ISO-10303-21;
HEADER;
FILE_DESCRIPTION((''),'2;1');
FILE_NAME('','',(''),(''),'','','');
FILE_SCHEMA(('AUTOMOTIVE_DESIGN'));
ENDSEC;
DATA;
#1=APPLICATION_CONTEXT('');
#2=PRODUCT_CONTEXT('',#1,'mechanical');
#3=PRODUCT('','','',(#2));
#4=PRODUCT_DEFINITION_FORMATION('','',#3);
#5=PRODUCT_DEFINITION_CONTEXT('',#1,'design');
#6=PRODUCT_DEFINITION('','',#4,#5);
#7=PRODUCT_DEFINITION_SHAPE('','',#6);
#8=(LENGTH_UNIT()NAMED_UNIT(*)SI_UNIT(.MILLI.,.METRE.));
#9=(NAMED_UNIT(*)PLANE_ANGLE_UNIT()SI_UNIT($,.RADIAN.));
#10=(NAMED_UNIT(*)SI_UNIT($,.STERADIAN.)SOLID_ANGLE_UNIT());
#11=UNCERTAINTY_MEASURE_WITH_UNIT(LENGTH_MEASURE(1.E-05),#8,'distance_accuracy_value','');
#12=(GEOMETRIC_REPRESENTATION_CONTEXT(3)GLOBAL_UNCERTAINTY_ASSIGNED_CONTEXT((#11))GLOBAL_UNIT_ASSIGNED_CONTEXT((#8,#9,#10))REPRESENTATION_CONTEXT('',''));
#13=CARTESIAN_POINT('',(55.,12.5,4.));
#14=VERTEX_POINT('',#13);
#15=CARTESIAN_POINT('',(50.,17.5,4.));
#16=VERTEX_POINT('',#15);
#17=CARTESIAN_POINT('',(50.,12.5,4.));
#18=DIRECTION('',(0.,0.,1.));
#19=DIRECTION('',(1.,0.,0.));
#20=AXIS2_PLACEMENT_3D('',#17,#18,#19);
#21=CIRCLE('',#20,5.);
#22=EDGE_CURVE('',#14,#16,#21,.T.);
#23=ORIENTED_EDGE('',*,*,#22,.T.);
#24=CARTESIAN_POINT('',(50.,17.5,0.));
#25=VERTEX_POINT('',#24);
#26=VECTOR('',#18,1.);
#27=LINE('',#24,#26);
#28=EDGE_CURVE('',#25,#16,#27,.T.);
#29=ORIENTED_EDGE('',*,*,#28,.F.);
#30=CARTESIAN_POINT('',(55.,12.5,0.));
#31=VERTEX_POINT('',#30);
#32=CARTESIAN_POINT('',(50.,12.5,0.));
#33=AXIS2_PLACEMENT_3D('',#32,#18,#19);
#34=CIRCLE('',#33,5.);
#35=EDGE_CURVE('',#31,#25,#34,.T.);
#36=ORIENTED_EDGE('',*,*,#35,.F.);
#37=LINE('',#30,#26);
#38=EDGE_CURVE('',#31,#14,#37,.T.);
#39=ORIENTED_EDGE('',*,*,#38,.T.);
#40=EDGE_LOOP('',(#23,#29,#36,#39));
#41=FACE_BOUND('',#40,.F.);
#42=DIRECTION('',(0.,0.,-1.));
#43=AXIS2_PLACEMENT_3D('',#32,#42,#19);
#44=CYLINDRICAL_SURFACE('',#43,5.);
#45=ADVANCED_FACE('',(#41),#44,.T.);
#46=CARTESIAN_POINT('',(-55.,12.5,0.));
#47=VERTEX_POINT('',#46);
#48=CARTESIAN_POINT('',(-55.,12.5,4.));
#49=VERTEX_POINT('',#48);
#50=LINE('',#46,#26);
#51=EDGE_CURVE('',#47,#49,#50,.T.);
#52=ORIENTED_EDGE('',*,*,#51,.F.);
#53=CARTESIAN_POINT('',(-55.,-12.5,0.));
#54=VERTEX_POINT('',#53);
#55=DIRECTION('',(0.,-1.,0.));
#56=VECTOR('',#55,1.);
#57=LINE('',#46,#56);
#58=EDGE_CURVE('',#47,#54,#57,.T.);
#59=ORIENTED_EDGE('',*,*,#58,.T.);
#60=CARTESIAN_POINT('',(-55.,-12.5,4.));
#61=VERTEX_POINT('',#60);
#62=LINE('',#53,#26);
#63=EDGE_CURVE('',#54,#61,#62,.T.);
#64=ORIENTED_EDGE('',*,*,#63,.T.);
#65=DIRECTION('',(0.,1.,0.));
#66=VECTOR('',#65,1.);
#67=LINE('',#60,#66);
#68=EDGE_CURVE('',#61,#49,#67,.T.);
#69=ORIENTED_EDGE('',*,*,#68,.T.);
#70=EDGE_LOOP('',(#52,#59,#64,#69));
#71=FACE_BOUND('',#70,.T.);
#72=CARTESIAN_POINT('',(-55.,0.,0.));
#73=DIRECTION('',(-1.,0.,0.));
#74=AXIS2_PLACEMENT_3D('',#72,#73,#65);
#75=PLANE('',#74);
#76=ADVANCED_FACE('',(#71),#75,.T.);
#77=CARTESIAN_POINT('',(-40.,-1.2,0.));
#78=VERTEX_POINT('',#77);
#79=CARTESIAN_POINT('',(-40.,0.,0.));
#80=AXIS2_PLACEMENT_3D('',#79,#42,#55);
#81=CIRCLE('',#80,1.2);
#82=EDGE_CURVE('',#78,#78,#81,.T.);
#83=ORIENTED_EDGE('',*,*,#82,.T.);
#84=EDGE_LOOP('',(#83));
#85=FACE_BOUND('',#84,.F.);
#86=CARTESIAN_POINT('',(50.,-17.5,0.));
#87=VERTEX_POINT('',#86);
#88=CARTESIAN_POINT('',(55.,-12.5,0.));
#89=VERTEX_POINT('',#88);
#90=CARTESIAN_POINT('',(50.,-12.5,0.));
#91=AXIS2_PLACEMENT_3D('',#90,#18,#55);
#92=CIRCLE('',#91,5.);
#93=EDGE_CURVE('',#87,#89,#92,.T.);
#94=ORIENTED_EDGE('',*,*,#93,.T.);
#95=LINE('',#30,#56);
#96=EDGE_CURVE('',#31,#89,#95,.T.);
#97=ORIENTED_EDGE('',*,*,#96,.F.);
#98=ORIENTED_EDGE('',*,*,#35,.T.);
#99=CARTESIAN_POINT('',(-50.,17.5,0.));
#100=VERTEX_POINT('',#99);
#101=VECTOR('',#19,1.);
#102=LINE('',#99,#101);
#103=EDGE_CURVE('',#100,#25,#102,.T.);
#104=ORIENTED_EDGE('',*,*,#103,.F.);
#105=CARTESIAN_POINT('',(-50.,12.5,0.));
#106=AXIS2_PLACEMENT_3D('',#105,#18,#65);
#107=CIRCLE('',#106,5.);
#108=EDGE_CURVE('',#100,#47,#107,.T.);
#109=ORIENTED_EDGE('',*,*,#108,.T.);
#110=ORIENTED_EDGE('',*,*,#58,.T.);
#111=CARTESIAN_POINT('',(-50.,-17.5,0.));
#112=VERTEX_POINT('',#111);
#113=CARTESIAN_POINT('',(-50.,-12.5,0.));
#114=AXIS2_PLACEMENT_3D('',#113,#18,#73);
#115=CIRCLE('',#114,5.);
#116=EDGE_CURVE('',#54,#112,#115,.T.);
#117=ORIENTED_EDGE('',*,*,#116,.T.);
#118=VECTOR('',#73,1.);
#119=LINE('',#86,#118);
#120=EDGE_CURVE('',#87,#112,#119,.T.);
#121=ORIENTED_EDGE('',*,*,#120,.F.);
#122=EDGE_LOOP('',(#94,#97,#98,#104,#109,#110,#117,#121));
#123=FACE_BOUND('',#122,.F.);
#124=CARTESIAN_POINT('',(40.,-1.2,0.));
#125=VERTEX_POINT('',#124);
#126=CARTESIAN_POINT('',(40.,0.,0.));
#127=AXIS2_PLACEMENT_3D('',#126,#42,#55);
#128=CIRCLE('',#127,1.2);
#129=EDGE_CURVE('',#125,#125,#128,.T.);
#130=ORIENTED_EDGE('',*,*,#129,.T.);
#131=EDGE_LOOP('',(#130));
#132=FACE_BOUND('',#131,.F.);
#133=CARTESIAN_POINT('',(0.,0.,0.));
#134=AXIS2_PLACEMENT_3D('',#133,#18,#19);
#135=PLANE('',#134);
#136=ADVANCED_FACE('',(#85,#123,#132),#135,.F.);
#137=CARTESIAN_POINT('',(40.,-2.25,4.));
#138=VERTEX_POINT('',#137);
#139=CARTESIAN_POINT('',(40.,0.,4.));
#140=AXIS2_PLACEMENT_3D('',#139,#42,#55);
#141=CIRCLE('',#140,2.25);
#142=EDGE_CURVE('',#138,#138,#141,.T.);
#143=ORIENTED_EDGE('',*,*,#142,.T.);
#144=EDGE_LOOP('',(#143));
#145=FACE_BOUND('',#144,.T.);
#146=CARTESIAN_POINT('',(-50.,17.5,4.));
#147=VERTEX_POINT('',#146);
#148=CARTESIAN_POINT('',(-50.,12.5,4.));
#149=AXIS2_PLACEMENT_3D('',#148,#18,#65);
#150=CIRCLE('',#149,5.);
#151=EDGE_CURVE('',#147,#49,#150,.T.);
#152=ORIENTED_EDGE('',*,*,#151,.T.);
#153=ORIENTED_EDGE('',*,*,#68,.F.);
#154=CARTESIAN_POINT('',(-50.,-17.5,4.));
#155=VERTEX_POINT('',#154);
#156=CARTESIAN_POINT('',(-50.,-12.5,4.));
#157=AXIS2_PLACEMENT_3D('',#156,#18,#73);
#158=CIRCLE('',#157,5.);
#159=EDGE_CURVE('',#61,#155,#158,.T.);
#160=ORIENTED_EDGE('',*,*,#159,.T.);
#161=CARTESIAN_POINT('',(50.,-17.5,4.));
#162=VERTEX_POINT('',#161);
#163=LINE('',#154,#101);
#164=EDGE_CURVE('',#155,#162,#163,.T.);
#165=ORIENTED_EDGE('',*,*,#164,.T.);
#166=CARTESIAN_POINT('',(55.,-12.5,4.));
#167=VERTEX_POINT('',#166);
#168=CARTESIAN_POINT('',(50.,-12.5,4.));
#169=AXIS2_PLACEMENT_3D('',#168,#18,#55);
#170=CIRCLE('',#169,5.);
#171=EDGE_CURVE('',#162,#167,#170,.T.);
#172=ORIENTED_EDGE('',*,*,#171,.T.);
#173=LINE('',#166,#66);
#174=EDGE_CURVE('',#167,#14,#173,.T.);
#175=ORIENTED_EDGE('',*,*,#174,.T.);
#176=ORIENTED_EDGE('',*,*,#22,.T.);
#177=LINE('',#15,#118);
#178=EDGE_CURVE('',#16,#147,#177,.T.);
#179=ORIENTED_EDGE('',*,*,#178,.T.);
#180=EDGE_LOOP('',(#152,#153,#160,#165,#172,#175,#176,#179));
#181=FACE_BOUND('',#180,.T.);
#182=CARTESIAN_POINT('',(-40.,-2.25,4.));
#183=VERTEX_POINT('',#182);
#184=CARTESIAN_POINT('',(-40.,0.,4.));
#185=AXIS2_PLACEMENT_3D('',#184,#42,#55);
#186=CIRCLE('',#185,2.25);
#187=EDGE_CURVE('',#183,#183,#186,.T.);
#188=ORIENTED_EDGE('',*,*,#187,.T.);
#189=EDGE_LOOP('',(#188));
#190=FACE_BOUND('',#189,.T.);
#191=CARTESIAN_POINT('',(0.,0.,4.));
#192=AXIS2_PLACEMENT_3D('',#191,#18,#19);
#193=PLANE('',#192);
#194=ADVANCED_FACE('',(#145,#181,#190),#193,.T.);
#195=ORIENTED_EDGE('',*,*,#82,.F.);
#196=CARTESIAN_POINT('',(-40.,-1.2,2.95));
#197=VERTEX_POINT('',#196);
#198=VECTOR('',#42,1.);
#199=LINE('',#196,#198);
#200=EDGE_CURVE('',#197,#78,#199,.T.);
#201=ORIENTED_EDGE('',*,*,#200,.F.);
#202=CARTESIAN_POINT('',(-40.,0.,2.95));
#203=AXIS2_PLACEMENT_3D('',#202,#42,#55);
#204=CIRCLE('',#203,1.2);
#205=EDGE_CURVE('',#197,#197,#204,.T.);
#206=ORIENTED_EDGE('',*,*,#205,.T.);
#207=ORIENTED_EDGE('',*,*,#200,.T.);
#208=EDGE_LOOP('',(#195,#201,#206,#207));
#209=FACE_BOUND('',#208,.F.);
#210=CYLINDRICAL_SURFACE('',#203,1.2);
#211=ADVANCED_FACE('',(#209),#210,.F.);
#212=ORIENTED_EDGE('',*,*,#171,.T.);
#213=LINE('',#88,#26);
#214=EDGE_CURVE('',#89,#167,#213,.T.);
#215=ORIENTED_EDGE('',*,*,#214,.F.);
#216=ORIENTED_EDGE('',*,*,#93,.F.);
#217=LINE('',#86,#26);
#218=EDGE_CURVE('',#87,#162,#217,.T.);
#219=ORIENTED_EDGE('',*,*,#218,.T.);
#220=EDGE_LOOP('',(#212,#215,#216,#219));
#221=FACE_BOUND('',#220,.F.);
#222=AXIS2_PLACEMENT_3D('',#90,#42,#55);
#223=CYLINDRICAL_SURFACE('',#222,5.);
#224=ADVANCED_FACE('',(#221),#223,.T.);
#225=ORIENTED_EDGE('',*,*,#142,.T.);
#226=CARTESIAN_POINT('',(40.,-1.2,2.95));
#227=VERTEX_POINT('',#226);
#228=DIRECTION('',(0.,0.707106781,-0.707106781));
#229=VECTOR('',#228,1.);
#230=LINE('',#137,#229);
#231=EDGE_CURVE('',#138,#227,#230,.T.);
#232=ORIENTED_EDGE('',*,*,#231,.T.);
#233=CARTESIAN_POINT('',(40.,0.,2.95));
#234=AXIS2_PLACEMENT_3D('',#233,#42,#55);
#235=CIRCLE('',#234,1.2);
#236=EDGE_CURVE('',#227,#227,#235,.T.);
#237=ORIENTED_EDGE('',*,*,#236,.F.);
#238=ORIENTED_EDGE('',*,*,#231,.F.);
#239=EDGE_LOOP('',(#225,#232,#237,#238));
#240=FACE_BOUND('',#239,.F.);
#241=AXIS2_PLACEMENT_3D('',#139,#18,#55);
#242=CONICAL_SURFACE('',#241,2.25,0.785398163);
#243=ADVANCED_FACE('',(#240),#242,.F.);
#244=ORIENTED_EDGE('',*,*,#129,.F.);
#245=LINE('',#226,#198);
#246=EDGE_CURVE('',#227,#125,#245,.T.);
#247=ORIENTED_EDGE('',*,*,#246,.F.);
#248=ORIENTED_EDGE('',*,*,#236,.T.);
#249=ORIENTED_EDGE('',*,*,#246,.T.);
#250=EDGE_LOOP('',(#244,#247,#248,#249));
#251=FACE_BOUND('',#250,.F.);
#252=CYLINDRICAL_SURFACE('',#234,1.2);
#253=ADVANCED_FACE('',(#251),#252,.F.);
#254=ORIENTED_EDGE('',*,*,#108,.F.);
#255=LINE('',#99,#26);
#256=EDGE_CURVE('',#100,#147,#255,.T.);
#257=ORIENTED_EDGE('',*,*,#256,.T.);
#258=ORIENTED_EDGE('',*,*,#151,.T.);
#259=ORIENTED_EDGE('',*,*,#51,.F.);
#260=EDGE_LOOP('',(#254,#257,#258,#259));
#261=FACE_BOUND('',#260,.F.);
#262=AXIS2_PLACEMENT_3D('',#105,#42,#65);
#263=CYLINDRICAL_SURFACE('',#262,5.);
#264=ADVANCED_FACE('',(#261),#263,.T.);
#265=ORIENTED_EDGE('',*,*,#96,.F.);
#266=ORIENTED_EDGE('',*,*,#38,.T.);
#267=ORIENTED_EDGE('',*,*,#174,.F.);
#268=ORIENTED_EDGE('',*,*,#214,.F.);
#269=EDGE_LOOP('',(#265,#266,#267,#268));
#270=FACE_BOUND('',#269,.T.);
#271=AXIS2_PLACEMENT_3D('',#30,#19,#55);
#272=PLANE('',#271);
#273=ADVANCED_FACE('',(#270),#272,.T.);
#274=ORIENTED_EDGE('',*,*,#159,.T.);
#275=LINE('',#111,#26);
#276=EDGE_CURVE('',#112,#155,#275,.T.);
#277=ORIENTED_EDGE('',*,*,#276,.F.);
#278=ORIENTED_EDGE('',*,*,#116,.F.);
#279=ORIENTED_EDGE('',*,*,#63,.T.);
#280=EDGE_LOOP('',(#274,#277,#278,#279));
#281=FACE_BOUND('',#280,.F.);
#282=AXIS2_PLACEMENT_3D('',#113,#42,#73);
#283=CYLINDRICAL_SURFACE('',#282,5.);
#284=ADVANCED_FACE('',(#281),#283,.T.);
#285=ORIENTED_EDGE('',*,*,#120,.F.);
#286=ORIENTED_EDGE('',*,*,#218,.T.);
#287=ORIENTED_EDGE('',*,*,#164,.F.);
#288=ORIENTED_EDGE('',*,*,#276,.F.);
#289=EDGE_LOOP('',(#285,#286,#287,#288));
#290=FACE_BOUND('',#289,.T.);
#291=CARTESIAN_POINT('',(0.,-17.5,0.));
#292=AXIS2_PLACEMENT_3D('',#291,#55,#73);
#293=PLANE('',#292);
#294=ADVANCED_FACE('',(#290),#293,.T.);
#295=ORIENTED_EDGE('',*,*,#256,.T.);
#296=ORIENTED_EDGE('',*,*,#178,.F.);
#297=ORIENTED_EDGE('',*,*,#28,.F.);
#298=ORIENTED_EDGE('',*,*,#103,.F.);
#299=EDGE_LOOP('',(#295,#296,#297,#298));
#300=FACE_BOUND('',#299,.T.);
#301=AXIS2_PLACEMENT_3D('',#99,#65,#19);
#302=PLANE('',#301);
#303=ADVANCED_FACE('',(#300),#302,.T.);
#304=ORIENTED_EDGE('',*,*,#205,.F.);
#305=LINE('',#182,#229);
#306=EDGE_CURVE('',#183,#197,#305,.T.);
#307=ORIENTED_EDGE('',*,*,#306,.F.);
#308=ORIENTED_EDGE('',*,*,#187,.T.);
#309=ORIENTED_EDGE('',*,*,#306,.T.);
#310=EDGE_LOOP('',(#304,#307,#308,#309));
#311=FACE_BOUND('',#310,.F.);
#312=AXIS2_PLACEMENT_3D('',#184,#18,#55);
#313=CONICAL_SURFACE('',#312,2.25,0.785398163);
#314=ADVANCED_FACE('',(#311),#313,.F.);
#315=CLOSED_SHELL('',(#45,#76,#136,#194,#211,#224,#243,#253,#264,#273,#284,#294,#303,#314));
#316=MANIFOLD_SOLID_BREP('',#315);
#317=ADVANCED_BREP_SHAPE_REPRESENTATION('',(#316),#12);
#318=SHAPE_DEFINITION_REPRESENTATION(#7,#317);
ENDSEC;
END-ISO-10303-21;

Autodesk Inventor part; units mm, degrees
ref_plane "YZ Plane" through (0, 0, 0) normal (1, 0, 0) x (0, 1, 0)
ref_plane "XZ Plane" through (0, 0, 0) normal (0, 1, 0) x (-1, 0, 0)
ref_plane "XY Plane" through (0, 0, 0) normal (0, 0, 1) x (1, 0, 0)
sketch "Skizze1" plane through (0, 0, 0) normal (0, 0, 1) x (1, 0, 0)
  line L0 (-78.4497, 0) -> (78.4497, 0) projected
  line L1 (0, -25.9497) -> (0, 25.9497) projected
  line L2 (-50, 17.5) -> (50, 17.5)
  line L3 (55, 12.5) -> (55, -12.5)
  line L4 (50, -17.5) -> (-50, -17.5)
  line L5 (-55, -12.5) -> (-55, 12.5)
  arc A0 (-50, 17.5) -> (-55, 12.5) centre (-50, 12.5) ccw
  arc A1 (-55, -12.5) -> (-50, -17.5) centre (-50, -12.5) ccw
  arc A2 (50, -17.5) -> (55, -12.5) centre (50, -12.5) ccw
  arc A3 (55, 12.5) -> (50, 17.5) centre (50, 12.5) ccw
  point P0 (0, 0)
  point P1 (-55, 17.5)
  point P2 (55, 17.5)
  point P3 (-55, -17.5)
  dimension "d0" = 110
  dimension "d1" = 35
  dimension "d2" = 5
extrude "Extrusion1" add sketch "Skizze1" along normal blind 4
sketch "Skizze2" plane through (0, 0, 4) normal (0, 0, 1) x (1, 0, 0)
  line L0 (-55, 12.5) -> (-55, -12.5) projected
  line L1 (55, -12.5) -> (55, 12.5) projected
  line L2 (-55, 0) -> (55, 0)
  line L3 (-77, 0) -> (77, 0) projected
  line L4 (0, -24.5) -> (0, 24.5) projected
  point P0 (0, 0)
  point P1 (-40, 0)
  point P2 (40, 0)
  dimension "d5" = 80
hole "Bohrung1" at (-40, 0, 4) at (40, 0, 4) direction (0, 0, -1) diameter 2.4 end through all countersink diameter 4.5 countersink angle 90
properties part number "13_1087_038"
